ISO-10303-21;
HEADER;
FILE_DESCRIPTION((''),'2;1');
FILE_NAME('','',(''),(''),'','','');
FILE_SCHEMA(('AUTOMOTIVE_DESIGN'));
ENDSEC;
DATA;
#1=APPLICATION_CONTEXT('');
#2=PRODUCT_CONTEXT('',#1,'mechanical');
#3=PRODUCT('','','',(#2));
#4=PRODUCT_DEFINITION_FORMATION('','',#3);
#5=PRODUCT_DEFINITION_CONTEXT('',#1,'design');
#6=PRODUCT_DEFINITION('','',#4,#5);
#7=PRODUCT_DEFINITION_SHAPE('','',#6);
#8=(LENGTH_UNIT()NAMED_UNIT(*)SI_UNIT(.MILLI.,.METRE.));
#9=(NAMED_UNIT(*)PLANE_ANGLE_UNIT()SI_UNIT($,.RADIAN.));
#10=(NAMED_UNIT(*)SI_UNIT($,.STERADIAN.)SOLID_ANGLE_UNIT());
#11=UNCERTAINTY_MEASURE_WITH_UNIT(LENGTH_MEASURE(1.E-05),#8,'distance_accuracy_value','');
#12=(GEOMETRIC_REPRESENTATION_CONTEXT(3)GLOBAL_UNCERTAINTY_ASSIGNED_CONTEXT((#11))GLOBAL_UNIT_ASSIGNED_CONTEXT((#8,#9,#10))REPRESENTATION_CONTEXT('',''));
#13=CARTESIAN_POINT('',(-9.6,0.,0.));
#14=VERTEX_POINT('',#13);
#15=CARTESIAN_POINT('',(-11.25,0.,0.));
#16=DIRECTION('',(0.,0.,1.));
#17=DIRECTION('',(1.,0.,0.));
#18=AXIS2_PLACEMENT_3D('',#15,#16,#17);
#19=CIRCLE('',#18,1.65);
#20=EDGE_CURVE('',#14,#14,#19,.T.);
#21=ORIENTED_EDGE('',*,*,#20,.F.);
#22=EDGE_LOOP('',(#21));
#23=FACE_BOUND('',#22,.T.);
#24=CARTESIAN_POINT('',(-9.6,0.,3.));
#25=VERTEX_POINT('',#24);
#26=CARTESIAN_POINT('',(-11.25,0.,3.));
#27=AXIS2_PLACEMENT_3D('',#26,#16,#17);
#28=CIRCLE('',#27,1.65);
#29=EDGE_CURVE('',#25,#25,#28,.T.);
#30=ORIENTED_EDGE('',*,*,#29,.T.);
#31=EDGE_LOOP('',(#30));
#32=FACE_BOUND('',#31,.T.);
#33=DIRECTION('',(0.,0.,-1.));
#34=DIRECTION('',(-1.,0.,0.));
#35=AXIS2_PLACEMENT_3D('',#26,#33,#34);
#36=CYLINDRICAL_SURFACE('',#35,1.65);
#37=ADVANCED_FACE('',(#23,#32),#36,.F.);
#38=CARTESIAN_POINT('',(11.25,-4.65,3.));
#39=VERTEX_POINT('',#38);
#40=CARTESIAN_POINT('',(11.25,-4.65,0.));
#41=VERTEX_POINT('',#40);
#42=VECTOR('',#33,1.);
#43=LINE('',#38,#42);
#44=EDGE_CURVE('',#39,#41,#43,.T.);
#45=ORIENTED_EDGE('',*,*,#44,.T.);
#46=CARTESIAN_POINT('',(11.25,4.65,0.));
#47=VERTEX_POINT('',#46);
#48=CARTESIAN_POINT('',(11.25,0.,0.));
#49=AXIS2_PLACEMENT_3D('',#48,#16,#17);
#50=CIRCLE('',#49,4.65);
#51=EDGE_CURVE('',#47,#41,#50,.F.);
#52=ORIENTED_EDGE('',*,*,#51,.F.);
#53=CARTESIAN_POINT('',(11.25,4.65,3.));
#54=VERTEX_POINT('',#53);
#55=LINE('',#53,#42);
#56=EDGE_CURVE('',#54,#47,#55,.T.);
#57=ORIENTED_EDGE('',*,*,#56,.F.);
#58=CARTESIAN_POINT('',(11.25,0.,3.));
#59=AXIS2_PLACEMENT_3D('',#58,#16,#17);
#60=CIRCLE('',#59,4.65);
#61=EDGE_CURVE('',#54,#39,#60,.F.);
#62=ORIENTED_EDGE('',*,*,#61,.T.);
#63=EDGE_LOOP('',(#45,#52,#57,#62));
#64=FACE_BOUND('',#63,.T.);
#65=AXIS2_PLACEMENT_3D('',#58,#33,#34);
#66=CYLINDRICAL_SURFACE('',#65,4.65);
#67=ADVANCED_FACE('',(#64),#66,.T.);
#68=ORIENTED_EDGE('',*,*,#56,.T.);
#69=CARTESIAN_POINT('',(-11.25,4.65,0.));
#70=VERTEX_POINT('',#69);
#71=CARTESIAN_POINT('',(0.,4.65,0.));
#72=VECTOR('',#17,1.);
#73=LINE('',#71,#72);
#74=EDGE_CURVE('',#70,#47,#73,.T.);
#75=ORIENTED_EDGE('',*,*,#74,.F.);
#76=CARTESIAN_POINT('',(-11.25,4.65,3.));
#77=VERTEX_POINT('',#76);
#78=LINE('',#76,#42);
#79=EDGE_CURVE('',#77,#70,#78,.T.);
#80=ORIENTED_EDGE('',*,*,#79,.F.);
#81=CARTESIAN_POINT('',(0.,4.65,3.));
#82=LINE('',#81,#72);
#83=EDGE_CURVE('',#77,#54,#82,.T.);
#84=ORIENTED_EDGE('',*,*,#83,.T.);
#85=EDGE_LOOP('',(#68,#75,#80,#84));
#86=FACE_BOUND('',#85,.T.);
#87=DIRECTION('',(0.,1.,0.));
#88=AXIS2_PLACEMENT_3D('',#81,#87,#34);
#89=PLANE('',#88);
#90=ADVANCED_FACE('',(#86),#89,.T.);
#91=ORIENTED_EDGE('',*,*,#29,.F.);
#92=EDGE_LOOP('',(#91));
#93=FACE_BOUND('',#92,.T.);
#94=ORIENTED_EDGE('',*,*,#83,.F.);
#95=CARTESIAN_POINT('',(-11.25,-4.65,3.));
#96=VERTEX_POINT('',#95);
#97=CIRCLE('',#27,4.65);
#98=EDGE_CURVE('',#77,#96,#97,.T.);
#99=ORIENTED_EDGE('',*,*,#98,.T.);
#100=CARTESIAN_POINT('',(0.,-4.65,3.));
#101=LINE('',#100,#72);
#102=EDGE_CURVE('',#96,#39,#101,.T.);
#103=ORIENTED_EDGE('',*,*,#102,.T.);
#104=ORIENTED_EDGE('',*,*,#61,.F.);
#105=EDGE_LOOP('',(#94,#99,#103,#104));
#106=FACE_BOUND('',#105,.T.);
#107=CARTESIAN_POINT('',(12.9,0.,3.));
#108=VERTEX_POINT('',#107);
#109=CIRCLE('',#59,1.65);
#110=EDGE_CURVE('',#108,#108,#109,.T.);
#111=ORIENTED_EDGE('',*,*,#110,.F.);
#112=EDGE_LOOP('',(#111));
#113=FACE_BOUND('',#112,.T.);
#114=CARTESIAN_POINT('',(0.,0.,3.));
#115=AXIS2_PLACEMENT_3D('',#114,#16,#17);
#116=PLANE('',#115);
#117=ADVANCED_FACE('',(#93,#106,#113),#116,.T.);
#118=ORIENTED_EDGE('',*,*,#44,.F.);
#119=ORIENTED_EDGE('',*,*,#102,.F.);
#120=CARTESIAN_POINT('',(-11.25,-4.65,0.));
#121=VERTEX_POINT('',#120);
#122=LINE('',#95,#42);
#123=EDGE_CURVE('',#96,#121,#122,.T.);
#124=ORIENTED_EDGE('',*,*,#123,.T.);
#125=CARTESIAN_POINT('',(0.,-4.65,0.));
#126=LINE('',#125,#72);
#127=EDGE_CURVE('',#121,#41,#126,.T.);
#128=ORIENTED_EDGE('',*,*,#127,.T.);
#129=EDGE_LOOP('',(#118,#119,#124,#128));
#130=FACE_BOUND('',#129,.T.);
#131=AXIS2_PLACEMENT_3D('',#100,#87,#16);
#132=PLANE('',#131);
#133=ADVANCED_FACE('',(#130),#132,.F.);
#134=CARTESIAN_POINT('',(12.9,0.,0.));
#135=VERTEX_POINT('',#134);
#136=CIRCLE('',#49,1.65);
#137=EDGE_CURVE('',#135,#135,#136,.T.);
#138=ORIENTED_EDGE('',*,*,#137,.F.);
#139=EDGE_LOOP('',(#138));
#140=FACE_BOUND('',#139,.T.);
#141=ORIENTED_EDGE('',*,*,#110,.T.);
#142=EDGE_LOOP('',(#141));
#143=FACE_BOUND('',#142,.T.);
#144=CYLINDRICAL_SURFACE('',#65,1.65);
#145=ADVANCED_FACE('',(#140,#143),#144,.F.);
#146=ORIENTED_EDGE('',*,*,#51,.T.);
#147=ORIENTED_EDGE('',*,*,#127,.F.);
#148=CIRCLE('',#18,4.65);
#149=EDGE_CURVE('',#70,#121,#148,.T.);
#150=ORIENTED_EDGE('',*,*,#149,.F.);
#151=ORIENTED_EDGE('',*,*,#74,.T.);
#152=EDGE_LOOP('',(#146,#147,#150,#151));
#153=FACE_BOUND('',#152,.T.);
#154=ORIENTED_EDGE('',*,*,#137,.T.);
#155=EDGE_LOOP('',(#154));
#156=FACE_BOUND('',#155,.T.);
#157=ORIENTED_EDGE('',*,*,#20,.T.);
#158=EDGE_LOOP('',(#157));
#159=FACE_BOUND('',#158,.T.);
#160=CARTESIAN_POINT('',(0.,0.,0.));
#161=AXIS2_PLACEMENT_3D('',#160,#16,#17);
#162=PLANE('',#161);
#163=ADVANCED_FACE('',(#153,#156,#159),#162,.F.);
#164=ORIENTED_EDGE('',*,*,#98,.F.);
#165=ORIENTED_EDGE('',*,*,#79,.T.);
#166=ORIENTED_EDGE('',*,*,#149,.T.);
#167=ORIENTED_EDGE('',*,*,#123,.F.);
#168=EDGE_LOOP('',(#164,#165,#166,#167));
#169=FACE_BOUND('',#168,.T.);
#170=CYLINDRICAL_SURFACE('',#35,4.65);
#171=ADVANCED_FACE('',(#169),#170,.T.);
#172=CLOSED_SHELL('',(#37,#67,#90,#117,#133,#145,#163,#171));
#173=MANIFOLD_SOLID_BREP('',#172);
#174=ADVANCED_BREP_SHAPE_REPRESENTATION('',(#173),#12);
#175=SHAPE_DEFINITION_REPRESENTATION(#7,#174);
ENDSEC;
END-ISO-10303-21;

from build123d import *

# Parameters (mm, degrees)
EXTRUDE_1_DEPTH = 3


with BuildPart() as part:
    # Эскиз1 → Бобышка-Вытянуть1 (new body)
    with BuildSketch(Plane.XY):
        with BuildLine():
            ThreePointArc((-6.6, 0), (-7.961953467, -3.288046533), (-11.25, -4.65))
            Line((-11.25, -4.65), (11.25, -4.65))
            ThreePointArc((11.25, -4.65), (6.6, 0), (11.25, 4.65))
            Line((11.25, 4.65), (-11.25, 4.65))
            ThreePointArc((-11.25, 4.65), (-7.961953467, 3.288046533), (-6.6, 0))
        make_face()
        with BuildLine():
            ThreePointArc((11.25, 4.65), (6.6, 0), (11.25, -4.65))
            Line((11.25, -4.65), (11.25, -1.65))
            ThreePointArc((11.25, -1.65), (9.6, 0), (11.25, 1.65))
            Line((11.25, 1.65), (11.25, 4.65))
        make_face()
        with BuildLine():
            Line((11.25, -1.65), (11.25, -4.65))
            ThreePointArc((11.25, -4.65), (14.538046533, -3.288046533), (15.9, 0))
            ThreePointArc((15.9, 0), (14.538046533, 3.288046533), (11.25, 4.65))
            Line((11.25, 4.65), (11.25, 1.65))
            ThreePointArc((11.25, 1.65), (12.416726189, 1.166726189), (12.9, 0))
            ThreePointArc((12.9, 0), (12.416726189, -1.166726189), (11.25, -1.65))
        make_face()
        with BuildLine():
            ThreePointArc((-11.25, 4.65), (-15.9, 0), (-11.25, -4.65))
            Line((-11.25, -4.65), (-11.25, -1.65))
            ThreePointArc((-11.25, -1.65), (-12.9, 0), (-11.25, 1.65))
            Line((-11.25, 1.65), (-11.25, 4.65))
        make_face()
        with BuildLine():
            Line((-11.25, -1.65), (-11.25, -4.65))
            ThreePointArc((-11.25, -4.65), (-7.961953467, -3.288046533), (-6.6, 0))
            ThreePointArc((-6.6, 0), (-7.961953467, 3.288046533), (-11.25, 4.65))
            Line((-11.25, 4.65), (-11.25, 1.65))
            ThreePointArc((-11.25, 1.65), (-10.083273811, 1.166726189), (-9.6, 0))
            ThreePointArc((-9.6, 0), (-10.083273811, -1.166726189), (-11.25, -1.65))
        make_face()
    extrude(amount=EXTRUDE_1_DEPTH)


solid = part.part
